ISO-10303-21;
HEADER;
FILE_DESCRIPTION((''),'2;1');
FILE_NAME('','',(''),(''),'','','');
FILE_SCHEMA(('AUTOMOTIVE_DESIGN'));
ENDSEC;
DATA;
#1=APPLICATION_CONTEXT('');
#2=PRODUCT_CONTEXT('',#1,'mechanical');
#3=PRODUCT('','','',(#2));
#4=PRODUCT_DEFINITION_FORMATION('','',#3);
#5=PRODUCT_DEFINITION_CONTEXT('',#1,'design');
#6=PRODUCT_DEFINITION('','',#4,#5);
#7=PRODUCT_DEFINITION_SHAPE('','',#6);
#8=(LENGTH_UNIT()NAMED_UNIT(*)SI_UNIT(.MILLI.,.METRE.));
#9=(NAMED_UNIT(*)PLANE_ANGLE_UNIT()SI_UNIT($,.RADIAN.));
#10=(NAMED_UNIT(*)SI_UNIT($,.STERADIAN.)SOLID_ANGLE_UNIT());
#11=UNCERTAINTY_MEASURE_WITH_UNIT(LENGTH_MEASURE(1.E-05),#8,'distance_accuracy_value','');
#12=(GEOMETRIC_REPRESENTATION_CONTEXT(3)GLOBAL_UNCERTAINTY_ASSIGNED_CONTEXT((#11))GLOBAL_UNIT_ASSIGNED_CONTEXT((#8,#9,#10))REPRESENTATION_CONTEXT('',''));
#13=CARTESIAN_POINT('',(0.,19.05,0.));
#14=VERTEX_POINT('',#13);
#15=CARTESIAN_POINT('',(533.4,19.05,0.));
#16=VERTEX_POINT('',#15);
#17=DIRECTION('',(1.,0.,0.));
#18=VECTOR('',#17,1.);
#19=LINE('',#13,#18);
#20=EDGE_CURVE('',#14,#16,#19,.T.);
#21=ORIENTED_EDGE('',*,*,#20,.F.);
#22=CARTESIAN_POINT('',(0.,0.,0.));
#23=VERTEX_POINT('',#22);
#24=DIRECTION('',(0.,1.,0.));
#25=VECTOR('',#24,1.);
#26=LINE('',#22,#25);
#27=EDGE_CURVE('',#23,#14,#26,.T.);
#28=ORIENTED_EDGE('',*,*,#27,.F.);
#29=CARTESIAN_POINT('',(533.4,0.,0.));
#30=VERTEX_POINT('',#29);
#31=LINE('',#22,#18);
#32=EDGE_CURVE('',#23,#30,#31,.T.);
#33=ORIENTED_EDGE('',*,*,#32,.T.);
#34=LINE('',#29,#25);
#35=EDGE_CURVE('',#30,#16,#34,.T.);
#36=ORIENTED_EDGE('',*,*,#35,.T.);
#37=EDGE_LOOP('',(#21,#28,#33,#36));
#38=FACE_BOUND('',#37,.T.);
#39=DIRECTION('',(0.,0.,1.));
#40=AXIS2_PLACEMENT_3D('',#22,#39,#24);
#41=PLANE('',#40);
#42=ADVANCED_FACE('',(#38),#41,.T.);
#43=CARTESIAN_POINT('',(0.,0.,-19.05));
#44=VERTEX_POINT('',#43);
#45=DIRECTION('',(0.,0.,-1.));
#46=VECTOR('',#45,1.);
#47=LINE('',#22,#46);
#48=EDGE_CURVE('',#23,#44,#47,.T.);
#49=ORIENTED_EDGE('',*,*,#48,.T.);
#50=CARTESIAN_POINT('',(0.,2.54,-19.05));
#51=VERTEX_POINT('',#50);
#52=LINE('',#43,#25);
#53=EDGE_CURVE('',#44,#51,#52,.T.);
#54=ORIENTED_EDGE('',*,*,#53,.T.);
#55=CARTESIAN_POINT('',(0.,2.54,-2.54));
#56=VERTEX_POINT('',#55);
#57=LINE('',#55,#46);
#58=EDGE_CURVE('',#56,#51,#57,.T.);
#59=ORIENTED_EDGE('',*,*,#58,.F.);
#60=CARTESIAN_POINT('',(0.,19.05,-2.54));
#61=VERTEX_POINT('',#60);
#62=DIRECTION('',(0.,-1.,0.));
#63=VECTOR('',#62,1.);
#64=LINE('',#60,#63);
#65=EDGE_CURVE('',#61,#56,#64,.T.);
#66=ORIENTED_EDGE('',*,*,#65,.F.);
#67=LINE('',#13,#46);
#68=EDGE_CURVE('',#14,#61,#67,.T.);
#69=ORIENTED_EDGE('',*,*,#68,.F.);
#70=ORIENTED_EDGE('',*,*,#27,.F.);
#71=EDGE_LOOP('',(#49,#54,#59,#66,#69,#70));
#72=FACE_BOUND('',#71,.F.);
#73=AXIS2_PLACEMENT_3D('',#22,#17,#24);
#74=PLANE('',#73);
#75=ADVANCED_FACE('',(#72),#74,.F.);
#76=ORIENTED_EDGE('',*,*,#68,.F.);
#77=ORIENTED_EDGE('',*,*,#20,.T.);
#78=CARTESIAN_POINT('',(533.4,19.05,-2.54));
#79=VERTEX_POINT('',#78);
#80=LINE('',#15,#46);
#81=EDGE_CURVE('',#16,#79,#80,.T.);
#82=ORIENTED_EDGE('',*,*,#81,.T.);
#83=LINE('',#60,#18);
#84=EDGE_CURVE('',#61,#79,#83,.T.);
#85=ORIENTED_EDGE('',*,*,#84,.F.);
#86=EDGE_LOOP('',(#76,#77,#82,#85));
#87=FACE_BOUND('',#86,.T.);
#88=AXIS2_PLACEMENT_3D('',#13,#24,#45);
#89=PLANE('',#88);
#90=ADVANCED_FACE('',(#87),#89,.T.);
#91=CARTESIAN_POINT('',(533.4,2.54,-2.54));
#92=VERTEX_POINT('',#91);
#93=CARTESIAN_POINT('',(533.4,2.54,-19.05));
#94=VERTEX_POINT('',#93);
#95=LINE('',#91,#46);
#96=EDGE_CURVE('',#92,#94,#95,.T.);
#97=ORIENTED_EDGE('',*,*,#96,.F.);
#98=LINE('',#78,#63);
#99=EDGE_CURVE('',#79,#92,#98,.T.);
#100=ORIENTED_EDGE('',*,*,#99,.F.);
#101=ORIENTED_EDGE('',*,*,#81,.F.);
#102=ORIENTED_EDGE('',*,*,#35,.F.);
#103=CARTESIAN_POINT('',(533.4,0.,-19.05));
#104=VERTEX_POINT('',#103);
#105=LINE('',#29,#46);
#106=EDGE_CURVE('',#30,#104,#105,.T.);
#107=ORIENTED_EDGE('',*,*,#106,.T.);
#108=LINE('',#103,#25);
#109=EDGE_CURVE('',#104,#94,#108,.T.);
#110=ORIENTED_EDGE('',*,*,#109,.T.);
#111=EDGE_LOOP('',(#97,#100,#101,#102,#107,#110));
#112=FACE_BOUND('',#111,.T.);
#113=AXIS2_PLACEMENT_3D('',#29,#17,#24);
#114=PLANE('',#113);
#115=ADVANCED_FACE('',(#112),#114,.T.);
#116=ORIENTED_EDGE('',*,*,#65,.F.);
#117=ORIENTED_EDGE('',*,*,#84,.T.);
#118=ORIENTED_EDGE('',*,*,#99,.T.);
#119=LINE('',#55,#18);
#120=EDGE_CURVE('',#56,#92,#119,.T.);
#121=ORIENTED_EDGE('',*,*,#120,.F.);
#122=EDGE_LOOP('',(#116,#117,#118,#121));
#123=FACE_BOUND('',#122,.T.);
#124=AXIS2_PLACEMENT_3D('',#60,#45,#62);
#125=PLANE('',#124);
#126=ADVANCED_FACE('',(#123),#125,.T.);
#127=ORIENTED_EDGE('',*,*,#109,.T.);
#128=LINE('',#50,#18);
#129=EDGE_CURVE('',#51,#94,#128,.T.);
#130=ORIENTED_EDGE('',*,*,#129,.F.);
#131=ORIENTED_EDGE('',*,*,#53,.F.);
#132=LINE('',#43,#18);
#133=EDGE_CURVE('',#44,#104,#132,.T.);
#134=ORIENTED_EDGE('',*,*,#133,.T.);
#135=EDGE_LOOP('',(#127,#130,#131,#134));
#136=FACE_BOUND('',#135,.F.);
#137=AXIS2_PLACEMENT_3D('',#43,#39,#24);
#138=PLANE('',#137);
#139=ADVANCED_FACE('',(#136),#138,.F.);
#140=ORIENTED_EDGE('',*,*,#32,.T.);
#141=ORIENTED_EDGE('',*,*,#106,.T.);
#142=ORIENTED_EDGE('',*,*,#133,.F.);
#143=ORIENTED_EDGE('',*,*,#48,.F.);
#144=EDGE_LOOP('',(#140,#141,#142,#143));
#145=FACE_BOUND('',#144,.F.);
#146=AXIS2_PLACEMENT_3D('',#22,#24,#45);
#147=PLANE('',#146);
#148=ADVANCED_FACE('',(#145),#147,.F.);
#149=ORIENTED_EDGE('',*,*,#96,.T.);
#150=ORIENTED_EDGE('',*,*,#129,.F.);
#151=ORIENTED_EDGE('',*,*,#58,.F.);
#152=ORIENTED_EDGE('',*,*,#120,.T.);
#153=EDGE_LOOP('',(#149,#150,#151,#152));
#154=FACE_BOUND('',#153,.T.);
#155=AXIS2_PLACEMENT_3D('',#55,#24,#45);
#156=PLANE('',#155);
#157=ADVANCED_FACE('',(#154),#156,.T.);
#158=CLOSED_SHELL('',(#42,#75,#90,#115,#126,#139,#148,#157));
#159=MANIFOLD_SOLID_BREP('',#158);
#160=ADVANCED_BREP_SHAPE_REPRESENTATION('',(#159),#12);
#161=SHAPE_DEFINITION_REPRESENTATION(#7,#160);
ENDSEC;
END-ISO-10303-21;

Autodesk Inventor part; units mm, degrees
ref_plane "YZ Plane" through (0, 0, 0) normal (1, 0, 0) x (0, 1, 0)
ref_plane "XZ Plane" through (0, 0, 0) normal (0, 1, 0) x (-1, 0, 0)
ref_plane "XY Plane" through (0, 0, 0) normal (0, 0, 1) x (1, 0, 0)
sketch "Sketch1" plane through (0, 0, 0) normal (1, 0, 0) x (0, 1, 0)
  line L0 (0, 0) -> (0, -19.05)
  line L1 (0, -19.05) -> (2.54, -19.05)
  line L2 (0, 0) -> (19.05, 0)
  line L3 (19.05, 0) -> (19.05, -2.54)
  line L4 (19.05, -2.54) -> (2.54, -2.54)
  line L5 (2.54, -2.54) -> (2.54, -19.05)
  dimension "d0" = 19.05
  dimension "d1" = 2.54
  dimension "d2" = 19.05
  dimension "d3" = 2.54
extrude "Extrusion1" add sketch "Sketch1" along normal blind 533.4
properties part number "Aluminum L channel guard rail"
